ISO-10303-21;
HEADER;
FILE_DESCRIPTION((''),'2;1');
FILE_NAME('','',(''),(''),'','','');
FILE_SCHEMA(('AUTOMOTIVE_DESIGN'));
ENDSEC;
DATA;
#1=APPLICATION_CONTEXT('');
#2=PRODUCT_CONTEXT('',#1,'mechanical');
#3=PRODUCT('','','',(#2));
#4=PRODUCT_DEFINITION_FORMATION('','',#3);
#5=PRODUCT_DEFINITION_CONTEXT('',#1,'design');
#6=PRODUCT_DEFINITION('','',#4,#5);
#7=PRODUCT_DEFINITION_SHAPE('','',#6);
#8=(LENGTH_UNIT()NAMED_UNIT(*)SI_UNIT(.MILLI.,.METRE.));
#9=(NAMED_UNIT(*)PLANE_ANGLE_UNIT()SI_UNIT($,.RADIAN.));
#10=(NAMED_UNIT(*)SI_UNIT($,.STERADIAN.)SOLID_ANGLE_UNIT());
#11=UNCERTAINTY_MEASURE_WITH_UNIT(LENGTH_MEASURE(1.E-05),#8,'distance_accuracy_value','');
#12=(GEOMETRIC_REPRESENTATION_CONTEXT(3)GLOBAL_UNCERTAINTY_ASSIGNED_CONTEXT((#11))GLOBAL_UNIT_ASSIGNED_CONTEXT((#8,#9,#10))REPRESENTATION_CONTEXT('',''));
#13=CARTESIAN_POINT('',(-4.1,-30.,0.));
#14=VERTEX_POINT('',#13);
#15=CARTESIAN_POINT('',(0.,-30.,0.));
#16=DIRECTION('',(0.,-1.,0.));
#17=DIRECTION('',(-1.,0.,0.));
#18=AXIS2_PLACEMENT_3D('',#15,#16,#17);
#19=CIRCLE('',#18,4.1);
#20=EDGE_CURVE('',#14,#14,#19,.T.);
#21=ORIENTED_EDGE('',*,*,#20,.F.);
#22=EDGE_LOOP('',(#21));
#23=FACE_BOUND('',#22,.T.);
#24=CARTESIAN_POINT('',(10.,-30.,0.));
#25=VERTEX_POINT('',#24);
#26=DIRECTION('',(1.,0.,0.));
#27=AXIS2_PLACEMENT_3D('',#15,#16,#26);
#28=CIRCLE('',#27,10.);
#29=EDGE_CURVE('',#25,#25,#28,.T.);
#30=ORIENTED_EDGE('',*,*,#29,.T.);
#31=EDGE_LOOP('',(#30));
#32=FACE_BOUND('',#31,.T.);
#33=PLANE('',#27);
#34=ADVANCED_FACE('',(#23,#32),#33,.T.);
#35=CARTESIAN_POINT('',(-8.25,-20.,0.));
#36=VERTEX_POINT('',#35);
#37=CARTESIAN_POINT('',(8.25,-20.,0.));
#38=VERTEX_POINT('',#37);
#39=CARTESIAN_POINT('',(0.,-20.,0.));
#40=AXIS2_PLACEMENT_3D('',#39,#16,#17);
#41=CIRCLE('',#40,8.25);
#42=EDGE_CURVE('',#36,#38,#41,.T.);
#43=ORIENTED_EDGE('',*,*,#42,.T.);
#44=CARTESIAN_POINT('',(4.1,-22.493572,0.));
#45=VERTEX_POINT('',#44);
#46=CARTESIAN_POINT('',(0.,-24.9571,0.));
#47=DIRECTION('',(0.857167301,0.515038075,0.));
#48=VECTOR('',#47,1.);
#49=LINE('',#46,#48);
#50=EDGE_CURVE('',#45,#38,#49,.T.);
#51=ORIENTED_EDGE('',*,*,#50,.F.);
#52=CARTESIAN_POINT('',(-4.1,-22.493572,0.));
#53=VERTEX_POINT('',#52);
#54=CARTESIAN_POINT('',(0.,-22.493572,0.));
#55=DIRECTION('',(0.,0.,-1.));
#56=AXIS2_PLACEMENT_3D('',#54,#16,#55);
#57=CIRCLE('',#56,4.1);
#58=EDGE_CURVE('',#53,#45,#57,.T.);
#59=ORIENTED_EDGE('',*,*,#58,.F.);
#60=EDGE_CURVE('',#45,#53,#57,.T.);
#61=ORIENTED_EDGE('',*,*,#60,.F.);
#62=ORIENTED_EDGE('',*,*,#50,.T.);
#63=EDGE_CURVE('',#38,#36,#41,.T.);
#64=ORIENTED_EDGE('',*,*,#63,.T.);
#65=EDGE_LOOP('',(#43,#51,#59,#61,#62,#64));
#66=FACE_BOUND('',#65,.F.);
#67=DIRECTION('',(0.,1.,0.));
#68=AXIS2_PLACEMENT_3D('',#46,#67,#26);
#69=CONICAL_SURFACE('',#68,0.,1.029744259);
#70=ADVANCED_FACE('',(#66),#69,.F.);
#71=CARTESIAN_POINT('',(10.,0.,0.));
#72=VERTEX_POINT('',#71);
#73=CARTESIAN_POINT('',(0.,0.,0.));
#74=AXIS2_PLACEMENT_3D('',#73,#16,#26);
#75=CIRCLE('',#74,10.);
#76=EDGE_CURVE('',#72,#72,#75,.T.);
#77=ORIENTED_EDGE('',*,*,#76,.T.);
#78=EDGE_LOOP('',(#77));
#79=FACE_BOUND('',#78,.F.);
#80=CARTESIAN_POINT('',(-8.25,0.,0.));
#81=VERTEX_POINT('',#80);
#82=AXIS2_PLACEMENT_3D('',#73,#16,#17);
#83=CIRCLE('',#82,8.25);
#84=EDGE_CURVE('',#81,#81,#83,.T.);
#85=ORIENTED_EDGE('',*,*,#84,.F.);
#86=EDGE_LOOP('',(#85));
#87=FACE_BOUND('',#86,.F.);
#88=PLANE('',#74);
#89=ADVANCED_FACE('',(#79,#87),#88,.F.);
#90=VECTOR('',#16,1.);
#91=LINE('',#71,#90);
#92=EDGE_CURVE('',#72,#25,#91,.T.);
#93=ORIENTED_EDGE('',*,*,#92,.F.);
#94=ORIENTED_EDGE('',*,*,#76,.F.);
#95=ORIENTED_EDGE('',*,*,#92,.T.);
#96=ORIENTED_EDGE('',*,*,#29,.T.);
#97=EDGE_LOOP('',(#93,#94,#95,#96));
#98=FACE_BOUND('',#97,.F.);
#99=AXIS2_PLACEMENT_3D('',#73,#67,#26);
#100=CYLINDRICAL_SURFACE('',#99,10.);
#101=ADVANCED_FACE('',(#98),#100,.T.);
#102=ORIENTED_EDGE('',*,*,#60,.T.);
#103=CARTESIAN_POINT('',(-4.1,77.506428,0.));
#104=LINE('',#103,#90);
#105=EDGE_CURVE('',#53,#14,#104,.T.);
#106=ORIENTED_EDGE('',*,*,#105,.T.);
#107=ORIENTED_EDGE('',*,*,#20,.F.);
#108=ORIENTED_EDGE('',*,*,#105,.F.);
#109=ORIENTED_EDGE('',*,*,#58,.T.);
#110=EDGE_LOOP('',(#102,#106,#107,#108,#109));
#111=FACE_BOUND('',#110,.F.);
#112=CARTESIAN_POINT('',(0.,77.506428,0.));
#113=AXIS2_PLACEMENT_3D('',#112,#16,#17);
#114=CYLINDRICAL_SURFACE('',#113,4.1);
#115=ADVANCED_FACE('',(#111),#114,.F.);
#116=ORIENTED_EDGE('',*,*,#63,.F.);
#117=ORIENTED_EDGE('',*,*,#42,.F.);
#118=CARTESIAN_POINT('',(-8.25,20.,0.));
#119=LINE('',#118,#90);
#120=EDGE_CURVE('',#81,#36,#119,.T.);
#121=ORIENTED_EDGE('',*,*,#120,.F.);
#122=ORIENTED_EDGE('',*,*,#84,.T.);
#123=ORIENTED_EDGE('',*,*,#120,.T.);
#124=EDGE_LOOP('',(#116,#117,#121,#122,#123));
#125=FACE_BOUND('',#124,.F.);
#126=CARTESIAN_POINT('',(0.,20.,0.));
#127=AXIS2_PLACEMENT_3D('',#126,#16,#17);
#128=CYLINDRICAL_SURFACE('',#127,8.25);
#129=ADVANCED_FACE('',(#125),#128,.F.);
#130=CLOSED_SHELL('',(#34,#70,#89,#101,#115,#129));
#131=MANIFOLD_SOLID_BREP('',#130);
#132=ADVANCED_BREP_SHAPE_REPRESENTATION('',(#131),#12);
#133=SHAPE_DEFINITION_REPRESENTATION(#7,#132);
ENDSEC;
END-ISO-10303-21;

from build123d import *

# Parameters (mm, degrees)
F0_R     = 10
F1_DEPTH = 30
F3_D     = 16.5
F3_DEPTH = 20
F3_TIP   = 4.957100107
F5_D     = 8.2
F5_DEPTH = 100
F5_START = 22.4935716
F5_TIP   = 2.463528538


with BuildPart() as f1:
    # F0 (on Front) → F1 (new body)
    with BuildSketch(Plane.XZ):
        Circle(F0_R)
    extrude(amount=F1_DEPTH)

    # F3
    with Locations(Plane(origin=(0, 0, 0), x_dir=(1, 0, 0), z_dir=(0, 1, 0))):
        with Locations((0, 0)):
            Hole(F3_D / 2, depth=F3_DEPTH)
            with Locations((0, 0, -(F3_DEPTH + F3_TIP / 2))):  # 118° drill point
                Cone(0, F3_D / 2, F3_TIP, mode=Mode.SUBTRACT)

    # F5
    # its depths count from where the whole tool has entered the part; down to there all is cleared
    with Locations(Plane(origin=(0, 0, 0), x_dir=(1, 0, 0), z_dir=(0, 1, 0)).offset(-F5_START)):
        with Locations((0, 0)):
            Hole(F5_D / 2, depth=F5_DEPTH)
            with Locations((0, 0, -(F5_DEPTH + F5_TIP / 2))):  # 118° drill point
                Cone(0, F5_D / 2, F5_TIP, mode=Mode.SUBTRACT)


solid = f1.part
